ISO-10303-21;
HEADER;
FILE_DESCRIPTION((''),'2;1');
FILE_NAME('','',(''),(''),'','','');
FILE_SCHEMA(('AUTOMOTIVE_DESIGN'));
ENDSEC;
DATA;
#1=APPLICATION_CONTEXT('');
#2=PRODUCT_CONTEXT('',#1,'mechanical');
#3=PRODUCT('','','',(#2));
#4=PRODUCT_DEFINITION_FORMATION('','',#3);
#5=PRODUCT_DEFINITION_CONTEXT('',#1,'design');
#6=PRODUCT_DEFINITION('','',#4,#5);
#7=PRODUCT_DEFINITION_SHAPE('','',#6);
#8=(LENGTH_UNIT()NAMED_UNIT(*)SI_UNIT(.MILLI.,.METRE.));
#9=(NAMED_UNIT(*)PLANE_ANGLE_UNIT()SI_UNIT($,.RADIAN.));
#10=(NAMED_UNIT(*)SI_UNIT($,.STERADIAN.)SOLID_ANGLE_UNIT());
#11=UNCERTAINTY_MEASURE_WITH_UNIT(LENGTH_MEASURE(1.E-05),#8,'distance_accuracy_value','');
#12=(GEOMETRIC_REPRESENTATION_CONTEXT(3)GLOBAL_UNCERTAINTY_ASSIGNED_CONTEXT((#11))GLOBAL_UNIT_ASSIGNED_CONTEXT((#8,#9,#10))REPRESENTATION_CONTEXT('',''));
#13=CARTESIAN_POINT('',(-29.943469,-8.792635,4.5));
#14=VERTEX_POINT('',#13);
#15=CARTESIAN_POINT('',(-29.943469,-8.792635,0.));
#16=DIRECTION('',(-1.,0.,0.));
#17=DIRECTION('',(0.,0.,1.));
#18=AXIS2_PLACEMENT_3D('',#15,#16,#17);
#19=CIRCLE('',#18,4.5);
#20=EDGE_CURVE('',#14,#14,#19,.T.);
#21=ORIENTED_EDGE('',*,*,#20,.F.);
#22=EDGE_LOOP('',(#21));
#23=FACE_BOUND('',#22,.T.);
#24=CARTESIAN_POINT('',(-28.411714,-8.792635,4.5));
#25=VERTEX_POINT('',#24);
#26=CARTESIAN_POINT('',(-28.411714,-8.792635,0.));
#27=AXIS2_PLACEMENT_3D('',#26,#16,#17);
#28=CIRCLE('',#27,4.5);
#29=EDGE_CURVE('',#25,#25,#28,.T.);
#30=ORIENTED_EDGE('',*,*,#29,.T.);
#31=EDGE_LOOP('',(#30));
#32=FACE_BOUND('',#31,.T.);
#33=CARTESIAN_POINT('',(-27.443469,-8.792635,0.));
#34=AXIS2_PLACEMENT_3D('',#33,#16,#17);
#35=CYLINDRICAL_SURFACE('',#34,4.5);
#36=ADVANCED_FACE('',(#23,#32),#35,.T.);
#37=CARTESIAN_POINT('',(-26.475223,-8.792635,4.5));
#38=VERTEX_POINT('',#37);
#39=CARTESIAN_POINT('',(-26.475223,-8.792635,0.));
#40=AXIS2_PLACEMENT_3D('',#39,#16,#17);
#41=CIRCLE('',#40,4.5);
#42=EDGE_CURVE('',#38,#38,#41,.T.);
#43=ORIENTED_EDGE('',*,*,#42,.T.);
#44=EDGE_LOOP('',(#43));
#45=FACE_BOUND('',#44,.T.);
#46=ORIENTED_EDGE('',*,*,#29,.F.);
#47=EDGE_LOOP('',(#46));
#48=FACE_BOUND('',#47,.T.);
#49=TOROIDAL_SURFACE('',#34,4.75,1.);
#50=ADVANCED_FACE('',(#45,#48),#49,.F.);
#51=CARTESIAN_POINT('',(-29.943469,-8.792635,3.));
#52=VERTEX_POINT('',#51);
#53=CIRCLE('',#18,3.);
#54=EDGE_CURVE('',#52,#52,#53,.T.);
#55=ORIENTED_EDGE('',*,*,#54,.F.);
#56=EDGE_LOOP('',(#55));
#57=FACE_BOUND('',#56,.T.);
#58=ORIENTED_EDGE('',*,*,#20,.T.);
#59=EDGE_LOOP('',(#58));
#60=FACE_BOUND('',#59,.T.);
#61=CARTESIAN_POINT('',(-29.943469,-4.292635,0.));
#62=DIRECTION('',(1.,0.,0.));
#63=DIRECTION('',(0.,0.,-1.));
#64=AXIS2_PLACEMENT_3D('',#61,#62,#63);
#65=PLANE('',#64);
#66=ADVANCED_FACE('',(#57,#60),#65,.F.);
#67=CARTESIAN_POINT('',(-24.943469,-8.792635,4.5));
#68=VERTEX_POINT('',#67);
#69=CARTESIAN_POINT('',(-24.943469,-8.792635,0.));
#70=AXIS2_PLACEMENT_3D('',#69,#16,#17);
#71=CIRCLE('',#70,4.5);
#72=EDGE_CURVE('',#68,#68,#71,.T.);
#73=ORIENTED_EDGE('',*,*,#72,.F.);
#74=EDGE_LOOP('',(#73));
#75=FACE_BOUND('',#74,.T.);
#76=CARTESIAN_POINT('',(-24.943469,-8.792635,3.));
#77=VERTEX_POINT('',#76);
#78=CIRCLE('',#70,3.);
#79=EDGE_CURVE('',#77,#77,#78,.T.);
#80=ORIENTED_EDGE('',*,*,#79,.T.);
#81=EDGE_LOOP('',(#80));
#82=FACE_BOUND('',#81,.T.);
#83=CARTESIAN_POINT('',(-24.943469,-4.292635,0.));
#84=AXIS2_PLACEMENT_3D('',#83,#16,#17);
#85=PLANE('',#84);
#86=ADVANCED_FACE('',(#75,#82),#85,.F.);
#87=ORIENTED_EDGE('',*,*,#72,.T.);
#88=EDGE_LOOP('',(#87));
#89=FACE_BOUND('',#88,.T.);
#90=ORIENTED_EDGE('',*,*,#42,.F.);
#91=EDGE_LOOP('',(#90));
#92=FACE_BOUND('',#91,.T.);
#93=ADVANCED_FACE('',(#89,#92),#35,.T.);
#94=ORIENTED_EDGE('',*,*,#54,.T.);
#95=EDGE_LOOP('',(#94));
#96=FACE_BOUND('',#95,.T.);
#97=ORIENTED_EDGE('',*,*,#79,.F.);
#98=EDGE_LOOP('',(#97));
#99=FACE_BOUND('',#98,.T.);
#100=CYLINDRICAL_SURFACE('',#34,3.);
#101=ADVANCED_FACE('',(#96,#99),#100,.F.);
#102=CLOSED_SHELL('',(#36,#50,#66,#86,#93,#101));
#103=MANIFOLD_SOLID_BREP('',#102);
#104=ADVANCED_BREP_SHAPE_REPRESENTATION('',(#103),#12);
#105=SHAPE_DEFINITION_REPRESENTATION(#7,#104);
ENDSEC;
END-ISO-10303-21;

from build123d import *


with BuildPart() as part:
    # Sketch1 → Revolve1 (revolve)
    with BuildSketch(Plane.XY):
        with BuildLine():
            Line((-24.943468517, -4.292635279), (-26.475222681, -4.292635279))
            ThreePointArc((-26.475222681, -4.292635279), (-27.443468517, -5.042635279), (-28.411714354, -4.292635279))
            Line((-28.411714354, -4.292635279), (-29.943468517, -4.292635279))
            Line((-29.943468517, -4.292635279), (-29.943468517, -5.792635279))
            Line((-29.943468517, -5.792635279), (-24.943468517, -5.792635279))
            Line((-24.943468517, -5.792635279), (-24.943468517, -4.292635279))
        make_face()
    revolve(axis=Axis((-27.443468517, -8.792635279, 0), (1, 0, 0)))


solid = part.part
